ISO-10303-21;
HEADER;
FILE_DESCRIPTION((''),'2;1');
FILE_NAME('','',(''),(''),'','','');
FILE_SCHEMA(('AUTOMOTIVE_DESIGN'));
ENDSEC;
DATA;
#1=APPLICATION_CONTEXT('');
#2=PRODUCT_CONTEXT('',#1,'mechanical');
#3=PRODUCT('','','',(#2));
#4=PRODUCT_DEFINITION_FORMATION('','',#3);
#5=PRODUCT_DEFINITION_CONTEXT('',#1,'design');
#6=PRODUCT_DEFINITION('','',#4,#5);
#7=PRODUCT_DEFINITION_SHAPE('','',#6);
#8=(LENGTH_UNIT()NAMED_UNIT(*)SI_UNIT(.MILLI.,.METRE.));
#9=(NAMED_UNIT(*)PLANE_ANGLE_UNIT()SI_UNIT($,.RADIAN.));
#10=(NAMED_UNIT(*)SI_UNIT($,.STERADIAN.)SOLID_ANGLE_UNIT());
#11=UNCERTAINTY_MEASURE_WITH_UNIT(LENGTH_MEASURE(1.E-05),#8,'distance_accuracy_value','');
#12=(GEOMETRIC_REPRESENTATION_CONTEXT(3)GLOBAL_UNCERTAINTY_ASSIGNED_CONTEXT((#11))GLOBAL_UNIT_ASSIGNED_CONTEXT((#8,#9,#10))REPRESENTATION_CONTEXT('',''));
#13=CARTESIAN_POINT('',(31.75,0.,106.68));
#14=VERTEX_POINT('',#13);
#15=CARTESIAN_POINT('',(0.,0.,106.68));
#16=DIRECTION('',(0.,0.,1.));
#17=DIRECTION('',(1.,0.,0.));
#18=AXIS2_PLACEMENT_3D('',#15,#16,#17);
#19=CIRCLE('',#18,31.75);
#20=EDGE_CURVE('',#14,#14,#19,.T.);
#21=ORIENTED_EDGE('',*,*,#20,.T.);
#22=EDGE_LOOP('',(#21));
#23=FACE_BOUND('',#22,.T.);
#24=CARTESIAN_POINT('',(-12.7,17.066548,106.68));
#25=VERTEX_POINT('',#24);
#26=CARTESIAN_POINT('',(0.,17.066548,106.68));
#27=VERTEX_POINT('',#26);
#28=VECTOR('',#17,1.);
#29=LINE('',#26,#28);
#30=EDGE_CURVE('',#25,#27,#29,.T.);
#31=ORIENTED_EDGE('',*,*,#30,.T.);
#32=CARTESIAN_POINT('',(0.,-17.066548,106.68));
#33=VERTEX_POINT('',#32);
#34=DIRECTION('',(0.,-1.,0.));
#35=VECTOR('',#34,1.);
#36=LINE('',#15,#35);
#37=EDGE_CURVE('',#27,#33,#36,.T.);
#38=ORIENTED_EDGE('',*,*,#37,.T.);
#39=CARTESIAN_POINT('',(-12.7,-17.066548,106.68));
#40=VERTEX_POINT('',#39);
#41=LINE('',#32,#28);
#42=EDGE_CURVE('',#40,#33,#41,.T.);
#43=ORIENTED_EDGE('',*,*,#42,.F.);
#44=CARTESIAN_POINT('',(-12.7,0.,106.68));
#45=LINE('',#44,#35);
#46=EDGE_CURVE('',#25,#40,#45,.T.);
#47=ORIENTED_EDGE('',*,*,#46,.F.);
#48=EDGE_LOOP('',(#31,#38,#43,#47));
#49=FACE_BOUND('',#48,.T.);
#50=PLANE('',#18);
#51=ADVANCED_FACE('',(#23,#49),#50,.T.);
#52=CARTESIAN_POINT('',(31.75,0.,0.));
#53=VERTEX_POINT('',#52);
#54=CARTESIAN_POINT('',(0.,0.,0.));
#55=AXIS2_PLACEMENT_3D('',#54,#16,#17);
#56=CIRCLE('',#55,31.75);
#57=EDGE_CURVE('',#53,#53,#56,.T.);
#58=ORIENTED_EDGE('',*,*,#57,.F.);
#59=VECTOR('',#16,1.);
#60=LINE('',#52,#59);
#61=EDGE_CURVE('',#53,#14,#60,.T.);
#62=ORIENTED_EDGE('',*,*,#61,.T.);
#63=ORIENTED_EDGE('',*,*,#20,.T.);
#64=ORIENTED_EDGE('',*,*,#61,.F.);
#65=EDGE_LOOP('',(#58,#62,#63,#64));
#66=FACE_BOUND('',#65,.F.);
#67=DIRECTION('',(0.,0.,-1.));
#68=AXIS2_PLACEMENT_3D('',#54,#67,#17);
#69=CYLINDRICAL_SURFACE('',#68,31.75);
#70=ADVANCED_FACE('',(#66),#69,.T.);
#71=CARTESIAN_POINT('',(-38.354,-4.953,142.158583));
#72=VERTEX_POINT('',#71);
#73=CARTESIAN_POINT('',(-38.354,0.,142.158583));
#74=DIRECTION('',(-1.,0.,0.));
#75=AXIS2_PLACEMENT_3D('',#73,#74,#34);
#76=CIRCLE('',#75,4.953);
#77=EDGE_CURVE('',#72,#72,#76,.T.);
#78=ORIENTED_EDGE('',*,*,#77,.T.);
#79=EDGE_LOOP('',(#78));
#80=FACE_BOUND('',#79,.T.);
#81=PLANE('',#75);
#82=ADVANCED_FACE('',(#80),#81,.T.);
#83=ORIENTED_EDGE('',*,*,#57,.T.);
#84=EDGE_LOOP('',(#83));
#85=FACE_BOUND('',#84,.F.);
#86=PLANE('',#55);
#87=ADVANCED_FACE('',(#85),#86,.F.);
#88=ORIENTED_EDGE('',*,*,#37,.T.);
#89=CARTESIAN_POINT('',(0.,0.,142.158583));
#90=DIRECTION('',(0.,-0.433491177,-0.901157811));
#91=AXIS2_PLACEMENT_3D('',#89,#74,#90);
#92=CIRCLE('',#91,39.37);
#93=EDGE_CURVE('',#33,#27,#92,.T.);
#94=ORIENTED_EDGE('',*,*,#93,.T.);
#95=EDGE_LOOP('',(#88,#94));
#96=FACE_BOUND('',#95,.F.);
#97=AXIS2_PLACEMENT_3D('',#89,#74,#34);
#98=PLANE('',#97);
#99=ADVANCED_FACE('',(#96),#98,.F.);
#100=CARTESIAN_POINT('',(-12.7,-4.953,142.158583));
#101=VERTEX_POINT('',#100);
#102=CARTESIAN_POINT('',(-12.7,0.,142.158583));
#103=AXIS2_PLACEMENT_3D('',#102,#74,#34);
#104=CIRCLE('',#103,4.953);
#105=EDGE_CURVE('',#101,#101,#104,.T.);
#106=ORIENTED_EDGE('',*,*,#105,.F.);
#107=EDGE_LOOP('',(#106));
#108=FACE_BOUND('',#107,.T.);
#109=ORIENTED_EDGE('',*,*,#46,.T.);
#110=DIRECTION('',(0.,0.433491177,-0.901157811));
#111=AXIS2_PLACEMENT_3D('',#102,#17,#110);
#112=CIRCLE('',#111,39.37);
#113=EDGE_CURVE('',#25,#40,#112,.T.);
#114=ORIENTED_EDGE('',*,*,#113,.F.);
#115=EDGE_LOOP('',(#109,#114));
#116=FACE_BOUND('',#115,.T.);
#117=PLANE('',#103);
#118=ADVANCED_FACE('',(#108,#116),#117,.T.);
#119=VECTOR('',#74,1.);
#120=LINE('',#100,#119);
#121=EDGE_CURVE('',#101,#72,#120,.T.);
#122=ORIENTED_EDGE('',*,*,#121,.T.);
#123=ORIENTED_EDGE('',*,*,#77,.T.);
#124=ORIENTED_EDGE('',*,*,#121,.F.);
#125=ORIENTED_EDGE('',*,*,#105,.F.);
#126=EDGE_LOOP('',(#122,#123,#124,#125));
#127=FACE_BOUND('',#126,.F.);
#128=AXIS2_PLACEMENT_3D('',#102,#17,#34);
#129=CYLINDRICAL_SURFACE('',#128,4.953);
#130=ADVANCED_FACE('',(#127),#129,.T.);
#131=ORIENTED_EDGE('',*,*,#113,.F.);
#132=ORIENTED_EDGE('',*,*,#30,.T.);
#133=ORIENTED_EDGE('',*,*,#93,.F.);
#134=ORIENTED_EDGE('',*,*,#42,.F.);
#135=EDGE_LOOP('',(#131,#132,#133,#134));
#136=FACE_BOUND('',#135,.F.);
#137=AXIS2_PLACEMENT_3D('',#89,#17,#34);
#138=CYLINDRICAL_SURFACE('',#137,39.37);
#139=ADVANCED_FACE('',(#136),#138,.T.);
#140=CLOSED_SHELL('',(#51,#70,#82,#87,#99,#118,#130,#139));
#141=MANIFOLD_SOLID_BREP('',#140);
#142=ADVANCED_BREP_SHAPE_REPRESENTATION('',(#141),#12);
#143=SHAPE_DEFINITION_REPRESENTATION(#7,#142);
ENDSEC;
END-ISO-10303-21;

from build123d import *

# Parameters (mm, degrees)
F0_R     = 31.75
F1_DEPTH = 106.68
F4_R     = 39.37
F5_DEPTH = 12.7
F6_R     = 4.953
F7_DEPTH = 25.654


with BuildPart() as f1:
    # F0 (on Top) → F1 (new body)
    with BuildSketch(Plane.XY):
        Circle(F0_R)
    extrude(amount=F1_DEPTH)

    # F4 (on face) → F5 (join)
    with BuildSketch(Plane(origin=(0, 0, 0), x_dir=(0, -1, 0), z_dir=(-1, 0, 0))):
        with Locations((0, 142.158583)):
            Circle(F4_R)
    extrude(amount=F5_DEPTH)

    # F6 (on face) → F7 (join)
    with BuildSketch(Plane(origin=(-12.7, 0, 0), x_dir=(0, -1, 0), z_dir=(-1, 0, 0))):
        with Locations((0, 142.158583)):
            Circle(F6_R)
    extrude(amount=F7_DEPTH)


solid = f1.part
